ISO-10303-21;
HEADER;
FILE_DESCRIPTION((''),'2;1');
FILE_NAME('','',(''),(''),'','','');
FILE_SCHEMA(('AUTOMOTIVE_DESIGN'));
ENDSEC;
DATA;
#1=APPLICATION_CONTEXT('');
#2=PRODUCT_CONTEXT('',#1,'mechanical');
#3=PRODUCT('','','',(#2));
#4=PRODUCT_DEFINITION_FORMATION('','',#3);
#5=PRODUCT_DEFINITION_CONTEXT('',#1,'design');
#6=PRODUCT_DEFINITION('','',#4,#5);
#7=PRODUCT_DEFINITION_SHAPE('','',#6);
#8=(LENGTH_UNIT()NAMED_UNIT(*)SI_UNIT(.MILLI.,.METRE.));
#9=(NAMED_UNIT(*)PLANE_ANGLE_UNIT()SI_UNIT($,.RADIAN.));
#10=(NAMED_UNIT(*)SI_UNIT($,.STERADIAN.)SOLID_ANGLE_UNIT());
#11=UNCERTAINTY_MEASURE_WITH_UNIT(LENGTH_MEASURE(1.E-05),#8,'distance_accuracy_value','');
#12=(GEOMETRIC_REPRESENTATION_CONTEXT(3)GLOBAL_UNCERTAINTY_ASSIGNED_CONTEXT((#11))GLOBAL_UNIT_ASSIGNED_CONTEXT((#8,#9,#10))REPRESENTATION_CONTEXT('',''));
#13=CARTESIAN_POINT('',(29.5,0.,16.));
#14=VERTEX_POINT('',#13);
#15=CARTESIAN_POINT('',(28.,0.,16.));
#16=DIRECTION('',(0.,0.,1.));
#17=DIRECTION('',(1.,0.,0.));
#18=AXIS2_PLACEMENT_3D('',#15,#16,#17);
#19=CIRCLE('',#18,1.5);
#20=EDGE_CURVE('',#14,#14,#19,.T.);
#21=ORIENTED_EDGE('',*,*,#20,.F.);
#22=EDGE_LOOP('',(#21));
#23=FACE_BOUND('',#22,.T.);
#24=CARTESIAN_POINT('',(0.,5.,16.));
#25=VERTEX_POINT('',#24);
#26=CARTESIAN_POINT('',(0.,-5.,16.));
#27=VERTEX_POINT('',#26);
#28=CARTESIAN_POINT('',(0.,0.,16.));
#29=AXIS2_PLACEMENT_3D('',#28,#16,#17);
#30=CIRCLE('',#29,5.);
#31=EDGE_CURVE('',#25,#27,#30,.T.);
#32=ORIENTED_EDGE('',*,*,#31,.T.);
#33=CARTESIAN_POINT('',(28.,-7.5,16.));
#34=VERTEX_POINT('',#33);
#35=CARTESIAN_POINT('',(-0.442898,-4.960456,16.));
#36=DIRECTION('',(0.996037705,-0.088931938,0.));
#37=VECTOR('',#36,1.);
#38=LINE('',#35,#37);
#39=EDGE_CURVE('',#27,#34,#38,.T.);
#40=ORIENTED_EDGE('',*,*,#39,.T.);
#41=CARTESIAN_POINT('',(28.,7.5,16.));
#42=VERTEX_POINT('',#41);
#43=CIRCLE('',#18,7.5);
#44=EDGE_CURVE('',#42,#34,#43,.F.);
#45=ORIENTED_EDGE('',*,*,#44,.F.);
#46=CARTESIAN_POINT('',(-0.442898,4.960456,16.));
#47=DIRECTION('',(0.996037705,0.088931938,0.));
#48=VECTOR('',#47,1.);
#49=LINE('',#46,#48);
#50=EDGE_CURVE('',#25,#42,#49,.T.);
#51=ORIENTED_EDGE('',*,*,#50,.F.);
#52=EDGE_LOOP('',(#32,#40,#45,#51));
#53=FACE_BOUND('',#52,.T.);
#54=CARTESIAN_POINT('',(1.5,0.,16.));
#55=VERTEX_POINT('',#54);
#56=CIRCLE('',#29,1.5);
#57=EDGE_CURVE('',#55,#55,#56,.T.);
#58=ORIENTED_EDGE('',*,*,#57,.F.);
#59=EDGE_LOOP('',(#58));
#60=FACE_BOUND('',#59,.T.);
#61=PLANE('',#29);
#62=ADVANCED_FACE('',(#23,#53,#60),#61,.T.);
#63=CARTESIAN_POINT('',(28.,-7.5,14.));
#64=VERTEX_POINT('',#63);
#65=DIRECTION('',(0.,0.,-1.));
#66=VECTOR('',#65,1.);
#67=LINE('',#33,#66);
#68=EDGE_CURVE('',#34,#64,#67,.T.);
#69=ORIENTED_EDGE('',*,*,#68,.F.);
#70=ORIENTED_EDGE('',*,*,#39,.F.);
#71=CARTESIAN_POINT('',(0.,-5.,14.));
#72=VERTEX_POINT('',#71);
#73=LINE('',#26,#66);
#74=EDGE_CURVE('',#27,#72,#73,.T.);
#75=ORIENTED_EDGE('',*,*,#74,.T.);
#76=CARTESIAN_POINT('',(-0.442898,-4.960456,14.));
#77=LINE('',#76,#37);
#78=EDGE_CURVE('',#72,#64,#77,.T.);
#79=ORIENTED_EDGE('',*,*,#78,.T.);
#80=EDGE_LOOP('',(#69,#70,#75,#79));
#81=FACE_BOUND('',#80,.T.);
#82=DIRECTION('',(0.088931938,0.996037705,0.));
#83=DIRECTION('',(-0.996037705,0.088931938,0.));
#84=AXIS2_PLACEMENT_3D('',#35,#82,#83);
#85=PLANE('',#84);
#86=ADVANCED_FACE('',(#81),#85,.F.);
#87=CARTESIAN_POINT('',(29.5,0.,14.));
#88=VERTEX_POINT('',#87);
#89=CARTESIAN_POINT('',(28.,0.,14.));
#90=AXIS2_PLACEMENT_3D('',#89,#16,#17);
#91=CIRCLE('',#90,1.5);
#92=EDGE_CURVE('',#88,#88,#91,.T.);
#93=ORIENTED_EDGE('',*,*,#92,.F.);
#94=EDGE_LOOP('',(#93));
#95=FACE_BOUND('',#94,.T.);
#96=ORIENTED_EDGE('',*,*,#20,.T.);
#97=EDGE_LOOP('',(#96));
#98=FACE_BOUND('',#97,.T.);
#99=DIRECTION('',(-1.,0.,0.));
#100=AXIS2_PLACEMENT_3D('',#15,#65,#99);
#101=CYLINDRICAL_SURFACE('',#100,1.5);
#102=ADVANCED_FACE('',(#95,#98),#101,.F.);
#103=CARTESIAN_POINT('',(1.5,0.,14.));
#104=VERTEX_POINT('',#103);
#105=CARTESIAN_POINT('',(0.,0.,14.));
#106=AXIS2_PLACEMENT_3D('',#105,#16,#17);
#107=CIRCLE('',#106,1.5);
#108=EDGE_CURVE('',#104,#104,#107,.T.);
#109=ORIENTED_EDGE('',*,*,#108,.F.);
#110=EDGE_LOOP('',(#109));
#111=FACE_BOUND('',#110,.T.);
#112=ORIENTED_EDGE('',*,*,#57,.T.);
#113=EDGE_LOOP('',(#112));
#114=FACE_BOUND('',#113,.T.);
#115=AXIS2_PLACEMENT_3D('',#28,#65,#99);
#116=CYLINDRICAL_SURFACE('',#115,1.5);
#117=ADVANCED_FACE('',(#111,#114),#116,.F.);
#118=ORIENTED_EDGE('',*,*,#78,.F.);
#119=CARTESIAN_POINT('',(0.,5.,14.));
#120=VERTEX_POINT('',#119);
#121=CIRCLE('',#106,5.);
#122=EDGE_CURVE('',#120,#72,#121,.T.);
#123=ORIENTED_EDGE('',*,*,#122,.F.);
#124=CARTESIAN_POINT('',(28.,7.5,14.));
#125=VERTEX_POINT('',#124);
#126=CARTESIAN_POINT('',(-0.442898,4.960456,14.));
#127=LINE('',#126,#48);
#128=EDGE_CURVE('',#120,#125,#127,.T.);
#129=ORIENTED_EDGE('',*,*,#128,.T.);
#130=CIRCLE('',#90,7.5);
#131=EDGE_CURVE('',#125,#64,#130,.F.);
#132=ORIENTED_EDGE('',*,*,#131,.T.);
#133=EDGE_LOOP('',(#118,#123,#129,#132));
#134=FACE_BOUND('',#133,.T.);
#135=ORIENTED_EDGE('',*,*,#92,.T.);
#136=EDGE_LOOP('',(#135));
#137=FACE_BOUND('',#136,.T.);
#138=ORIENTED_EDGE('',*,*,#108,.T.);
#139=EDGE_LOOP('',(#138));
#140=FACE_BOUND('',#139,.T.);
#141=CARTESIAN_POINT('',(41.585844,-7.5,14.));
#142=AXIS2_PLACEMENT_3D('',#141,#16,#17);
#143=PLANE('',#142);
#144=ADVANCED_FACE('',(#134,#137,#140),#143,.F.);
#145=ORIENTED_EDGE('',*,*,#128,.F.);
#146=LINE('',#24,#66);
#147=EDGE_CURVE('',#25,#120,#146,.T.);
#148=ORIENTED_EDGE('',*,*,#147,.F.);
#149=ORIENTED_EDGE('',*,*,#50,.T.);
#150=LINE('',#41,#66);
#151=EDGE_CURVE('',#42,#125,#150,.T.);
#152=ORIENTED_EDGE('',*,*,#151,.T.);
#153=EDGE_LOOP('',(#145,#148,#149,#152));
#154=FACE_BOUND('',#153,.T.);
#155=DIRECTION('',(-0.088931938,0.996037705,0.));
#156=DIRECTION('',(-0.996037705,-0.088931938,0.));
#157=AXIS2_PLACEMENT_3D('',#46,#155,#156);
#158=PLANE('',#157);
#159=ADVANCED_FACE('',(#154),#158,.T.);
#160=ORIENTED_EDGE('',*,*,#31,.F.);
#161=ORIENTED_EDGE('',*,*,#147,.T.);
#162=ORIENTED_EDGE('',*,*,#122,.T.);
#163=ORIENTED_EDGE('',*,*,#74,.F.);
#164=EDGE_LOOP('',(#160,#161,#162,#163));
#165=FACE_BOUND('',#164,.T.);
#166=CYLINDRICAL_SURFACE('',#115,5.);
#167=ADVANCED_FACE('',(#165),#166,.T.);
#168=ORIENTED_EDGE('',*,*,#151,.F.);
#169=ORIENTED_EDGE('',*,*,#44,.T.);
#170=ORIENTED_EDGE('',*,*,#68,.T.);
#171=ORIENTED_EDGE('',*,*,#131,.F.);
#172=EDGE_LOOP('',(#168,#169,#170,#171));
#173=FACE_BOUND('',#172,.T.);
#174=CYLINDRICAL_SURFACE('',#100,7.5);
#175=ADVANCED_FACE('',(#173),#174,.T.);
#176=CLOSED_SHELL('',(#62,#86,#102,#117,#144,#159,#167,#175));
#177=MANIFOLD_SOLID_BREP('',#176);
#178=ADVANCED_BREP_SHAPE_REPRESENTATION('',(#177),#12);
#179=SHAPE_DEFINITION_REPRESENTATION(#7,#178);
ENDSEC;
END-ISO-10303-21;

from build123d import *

# Parameters (mm, degrees)
SKETCH1_R           = 1.5
BOSS_EXTRUDE1_DEPTH = 16
SKETCH3_W           = 48.560524615
SKETCH3_H           = 12
CUT_EXTRUDE1_DEPTH  = 42.728287767
SKETCH4_W           = 43.208951525
SKETCH4_H           = 16.914851134
CUT_EXTRUDE2_DEPTH  = 10


with BuildPart() as part:
    # Sketch1 → Boss-Extrude1 (new body)
    with BuildSketch(Plane.XY):
        with BuildLine():
            ThreePointArc((28, 7.5), (35.5, 0), (28, -7.5))
            Line((28, -7.5), (0, -5))
            ThreePointArc((0, -5), (-5, 0), (0, 5))
            Line((0, 5), (28, 7.5))
        make_face()
        with Locations((28, 0)):
            Circle(SKETCH1_R, mode=Mode.SUBTRACT)
        Circle(SKETCH1_R, mode=Mode.SUBTRACT)
    extrude(amount=BOSS_EXTRUDE1_DEPTH)

    # Sketch3 → Cut-Extrude1 (cut, through all)
    with BuildSketch(Plane(origin=(0, 7.5, 0), x_dir=(1, 0, 0), z_dir=(0, 1, 0))):
        with Locations((17.305581285, -8)):
            Rectangle(SKETCH3_W, SKETCH3_H)
    extrude(amount=-CUT_EXTRUDE1_DEPTH, mode=Mode.SUBTRACT)


with BuildPart() as cut_extrude1_piece_1:
    # of the separate pieces the step leaves, piece 1, a body of its own (cut_extrude1_pieces)
    add(part.part.solids().sort_by_distance((28, 7.5, 0))[0])

    # Sketch4 → Cut-Extrude2 (cut)
    with BuildSketch(Plane(origin=(0, 0, 0), x_dir=(-1, 0, 0), z_dir=(0, 0, -1))):
        with Locations((-14.735208298, -0.104891316)):
            Rectangle(SKETCH4_W, SKETCH4_H)
    extrude(amount=-CUT_EXTRUDE2_DEPTH, mode=Mode.SUBTRACT)


with BuildPart() as cut_extrude1_piece_2:
    # of the separate pieces the step leaves, piece 2, a body of its own (cut_extrude1_pieces)
    add(part.part.solids().sort_by_distance((28, 7.5, 14))[0])


solid = cut_extrude1_piece_2.part
